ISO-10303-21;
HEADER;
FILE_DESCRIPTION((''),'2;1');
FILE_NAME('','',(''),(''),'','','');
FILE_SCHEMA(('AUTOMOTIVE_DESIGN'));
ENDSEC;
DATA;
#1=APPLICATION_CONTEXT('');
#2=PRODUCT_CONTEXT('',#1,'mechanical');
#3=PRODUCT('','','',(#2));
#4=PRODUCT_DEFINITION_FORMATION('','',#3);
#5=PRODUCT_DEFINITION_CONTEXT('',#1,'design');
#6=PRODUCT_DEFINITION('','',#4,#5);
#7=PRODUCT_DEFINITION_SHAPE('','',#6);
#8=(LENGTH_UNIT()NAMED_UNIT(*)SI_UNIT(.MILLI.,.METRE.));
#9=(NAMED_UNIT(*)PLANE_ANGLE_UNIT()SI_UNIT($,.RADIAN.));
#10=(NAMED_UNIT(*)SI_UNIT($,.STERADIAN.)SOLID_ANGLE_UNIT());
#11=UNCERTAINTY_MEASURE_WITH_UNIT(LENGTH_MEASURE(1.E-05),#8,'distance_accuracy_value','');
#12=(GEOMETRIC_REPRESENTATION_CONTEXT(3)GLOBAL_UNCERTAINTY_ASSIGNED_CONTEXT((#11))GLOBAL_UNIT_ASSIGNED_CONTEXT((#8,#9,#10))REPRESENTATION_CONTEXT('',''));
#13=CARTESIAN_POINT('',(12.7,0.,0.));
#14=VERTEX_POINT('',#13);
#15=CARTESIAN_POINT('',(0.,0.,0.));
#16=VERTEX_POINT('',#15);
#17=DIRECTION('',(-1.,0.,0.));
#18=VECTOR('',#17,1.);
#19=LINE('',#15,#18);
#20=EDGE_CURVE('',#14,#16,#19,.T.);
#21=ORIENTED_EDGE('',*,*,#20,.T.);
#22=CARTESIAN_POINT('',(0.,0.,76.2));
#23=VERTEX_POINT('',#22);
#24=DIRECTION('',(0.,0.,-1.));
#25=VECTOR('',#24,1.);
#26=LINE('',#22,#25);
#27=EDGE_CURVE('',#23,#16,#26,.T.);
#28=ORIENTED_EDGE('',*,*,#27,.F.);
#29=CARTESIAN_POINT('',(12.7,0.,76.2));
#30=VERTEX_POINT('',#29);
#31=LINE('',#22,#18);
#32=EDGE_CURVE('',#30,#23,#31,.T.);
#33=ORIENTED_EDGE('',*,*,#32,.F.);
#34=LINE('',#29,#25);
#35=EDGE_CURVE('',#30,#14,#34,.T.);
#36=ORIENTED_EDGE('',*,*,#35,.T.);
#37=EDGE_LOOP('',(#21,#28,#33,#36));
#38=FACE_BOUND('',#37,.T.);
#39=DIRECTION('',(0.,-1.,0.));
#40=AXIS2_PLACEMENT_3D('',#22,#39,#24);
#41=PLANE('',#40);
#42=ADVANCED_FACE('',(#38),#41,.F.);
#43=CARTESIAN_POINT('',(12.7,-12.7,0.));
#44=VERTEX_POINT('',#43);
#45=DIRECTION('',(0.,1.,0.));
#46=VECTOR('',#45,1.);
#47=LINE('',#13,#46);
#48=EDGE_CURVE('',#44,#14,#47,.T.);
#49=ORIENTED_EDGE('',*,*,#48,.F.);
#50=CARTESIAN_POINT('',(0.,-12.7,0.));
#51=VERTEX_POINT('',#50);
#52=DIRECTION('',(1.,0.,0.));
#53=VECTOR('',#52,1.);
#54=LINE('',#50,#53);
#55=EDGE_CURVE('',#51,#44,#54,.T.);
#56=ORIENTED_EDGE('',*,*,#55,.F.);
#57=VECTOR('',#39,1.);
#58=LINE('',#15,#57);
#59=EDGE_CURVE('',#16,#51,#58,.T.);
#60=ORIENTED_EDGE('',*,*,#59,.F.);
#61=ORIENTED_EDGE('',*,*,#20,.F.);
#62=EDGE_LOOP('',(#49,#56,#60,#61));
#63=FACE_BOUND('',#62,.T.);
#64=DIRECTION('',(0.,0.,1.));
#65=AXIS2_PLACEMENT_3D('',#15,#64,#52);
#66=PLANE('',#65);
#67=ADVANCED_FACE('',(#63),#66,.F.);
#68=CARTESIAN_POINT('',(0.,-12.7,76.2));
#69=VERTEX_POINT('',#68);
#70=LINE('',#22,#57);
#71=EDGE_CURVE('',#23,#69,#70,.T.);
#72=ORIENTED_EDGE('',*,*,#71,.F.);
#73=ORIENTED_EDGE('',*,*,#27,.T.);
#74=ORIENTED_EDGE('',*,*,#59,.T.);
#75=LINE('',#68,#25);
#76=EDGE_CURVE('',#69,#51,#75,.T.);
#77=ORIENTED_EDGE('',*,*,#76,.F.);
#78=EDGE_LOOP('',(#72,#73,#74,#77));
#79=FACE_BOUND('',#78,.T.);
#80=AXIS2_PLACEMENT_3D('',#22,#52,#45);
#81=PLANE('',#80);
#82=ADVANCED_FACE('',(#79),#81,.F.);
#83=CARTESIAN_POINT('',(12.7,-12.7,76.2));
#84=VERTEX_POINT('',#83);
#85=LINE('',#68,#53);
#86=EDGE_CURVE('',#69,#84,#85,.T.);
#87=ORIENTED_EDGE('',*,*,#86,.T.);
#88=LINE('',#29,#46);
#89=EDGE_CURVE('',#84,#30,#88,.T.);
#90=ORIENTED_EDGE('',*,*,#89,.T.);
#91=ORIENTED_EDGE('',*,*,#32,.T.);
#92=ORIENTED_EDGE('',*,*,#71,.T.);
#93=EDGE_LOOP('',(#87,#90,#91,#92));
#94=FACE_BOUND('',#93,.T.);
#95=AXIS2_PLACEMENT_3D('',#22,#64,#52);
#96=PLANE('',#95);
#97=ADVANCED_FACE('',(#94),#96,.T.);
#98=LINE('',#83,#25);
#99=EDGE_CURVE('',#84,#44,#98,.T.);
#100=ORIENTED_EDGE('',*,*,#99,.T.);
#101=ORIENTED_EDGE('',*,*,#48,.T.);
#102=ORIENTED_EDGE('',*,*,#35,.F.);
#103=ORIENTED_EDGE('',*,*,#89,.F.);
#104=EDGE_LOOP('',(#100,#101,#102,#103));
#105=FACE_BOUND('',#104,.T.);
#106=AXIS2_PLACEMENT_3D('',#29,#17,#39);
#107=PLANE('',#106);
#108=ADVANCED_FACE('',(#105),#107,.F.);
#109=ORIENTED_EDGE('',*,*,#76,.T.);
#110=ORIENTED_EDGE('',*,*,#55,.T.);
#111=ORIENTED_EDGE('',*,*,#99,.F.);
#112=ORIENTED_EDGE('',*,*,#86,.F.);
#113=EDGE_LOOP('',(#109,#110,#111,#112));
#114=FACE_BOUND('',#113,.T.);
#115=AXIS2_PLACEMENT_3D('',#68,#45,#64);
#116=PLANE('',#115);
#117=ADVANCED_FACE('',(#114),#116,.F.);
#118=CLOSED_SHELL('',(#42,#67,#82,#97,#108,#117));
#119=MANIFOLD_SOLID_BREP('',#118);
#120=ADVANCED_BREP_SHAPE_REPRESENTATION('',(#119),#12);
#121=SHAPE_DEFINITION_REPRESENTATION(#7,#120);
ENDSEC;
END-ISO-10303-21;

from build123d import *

# Parameters (mm, degrees)
SKETCH1_W           = 12.7
SKETCH1_H           = 12.7
BOSS_EXTRUDE1_DEPTH = 76.2


with BuildPart() as part:
    # Sketch1 → Boss-Extrude1 (new body)
    with BuildSketch(Plane.XY):
        with Locations((6.35, -6.35)):
            Rectangle(SKETCH1_W, SKETCH1_H)
    extrude(amount=BOSS_EXTRUDE1_DEPTH)


solid = part.part
